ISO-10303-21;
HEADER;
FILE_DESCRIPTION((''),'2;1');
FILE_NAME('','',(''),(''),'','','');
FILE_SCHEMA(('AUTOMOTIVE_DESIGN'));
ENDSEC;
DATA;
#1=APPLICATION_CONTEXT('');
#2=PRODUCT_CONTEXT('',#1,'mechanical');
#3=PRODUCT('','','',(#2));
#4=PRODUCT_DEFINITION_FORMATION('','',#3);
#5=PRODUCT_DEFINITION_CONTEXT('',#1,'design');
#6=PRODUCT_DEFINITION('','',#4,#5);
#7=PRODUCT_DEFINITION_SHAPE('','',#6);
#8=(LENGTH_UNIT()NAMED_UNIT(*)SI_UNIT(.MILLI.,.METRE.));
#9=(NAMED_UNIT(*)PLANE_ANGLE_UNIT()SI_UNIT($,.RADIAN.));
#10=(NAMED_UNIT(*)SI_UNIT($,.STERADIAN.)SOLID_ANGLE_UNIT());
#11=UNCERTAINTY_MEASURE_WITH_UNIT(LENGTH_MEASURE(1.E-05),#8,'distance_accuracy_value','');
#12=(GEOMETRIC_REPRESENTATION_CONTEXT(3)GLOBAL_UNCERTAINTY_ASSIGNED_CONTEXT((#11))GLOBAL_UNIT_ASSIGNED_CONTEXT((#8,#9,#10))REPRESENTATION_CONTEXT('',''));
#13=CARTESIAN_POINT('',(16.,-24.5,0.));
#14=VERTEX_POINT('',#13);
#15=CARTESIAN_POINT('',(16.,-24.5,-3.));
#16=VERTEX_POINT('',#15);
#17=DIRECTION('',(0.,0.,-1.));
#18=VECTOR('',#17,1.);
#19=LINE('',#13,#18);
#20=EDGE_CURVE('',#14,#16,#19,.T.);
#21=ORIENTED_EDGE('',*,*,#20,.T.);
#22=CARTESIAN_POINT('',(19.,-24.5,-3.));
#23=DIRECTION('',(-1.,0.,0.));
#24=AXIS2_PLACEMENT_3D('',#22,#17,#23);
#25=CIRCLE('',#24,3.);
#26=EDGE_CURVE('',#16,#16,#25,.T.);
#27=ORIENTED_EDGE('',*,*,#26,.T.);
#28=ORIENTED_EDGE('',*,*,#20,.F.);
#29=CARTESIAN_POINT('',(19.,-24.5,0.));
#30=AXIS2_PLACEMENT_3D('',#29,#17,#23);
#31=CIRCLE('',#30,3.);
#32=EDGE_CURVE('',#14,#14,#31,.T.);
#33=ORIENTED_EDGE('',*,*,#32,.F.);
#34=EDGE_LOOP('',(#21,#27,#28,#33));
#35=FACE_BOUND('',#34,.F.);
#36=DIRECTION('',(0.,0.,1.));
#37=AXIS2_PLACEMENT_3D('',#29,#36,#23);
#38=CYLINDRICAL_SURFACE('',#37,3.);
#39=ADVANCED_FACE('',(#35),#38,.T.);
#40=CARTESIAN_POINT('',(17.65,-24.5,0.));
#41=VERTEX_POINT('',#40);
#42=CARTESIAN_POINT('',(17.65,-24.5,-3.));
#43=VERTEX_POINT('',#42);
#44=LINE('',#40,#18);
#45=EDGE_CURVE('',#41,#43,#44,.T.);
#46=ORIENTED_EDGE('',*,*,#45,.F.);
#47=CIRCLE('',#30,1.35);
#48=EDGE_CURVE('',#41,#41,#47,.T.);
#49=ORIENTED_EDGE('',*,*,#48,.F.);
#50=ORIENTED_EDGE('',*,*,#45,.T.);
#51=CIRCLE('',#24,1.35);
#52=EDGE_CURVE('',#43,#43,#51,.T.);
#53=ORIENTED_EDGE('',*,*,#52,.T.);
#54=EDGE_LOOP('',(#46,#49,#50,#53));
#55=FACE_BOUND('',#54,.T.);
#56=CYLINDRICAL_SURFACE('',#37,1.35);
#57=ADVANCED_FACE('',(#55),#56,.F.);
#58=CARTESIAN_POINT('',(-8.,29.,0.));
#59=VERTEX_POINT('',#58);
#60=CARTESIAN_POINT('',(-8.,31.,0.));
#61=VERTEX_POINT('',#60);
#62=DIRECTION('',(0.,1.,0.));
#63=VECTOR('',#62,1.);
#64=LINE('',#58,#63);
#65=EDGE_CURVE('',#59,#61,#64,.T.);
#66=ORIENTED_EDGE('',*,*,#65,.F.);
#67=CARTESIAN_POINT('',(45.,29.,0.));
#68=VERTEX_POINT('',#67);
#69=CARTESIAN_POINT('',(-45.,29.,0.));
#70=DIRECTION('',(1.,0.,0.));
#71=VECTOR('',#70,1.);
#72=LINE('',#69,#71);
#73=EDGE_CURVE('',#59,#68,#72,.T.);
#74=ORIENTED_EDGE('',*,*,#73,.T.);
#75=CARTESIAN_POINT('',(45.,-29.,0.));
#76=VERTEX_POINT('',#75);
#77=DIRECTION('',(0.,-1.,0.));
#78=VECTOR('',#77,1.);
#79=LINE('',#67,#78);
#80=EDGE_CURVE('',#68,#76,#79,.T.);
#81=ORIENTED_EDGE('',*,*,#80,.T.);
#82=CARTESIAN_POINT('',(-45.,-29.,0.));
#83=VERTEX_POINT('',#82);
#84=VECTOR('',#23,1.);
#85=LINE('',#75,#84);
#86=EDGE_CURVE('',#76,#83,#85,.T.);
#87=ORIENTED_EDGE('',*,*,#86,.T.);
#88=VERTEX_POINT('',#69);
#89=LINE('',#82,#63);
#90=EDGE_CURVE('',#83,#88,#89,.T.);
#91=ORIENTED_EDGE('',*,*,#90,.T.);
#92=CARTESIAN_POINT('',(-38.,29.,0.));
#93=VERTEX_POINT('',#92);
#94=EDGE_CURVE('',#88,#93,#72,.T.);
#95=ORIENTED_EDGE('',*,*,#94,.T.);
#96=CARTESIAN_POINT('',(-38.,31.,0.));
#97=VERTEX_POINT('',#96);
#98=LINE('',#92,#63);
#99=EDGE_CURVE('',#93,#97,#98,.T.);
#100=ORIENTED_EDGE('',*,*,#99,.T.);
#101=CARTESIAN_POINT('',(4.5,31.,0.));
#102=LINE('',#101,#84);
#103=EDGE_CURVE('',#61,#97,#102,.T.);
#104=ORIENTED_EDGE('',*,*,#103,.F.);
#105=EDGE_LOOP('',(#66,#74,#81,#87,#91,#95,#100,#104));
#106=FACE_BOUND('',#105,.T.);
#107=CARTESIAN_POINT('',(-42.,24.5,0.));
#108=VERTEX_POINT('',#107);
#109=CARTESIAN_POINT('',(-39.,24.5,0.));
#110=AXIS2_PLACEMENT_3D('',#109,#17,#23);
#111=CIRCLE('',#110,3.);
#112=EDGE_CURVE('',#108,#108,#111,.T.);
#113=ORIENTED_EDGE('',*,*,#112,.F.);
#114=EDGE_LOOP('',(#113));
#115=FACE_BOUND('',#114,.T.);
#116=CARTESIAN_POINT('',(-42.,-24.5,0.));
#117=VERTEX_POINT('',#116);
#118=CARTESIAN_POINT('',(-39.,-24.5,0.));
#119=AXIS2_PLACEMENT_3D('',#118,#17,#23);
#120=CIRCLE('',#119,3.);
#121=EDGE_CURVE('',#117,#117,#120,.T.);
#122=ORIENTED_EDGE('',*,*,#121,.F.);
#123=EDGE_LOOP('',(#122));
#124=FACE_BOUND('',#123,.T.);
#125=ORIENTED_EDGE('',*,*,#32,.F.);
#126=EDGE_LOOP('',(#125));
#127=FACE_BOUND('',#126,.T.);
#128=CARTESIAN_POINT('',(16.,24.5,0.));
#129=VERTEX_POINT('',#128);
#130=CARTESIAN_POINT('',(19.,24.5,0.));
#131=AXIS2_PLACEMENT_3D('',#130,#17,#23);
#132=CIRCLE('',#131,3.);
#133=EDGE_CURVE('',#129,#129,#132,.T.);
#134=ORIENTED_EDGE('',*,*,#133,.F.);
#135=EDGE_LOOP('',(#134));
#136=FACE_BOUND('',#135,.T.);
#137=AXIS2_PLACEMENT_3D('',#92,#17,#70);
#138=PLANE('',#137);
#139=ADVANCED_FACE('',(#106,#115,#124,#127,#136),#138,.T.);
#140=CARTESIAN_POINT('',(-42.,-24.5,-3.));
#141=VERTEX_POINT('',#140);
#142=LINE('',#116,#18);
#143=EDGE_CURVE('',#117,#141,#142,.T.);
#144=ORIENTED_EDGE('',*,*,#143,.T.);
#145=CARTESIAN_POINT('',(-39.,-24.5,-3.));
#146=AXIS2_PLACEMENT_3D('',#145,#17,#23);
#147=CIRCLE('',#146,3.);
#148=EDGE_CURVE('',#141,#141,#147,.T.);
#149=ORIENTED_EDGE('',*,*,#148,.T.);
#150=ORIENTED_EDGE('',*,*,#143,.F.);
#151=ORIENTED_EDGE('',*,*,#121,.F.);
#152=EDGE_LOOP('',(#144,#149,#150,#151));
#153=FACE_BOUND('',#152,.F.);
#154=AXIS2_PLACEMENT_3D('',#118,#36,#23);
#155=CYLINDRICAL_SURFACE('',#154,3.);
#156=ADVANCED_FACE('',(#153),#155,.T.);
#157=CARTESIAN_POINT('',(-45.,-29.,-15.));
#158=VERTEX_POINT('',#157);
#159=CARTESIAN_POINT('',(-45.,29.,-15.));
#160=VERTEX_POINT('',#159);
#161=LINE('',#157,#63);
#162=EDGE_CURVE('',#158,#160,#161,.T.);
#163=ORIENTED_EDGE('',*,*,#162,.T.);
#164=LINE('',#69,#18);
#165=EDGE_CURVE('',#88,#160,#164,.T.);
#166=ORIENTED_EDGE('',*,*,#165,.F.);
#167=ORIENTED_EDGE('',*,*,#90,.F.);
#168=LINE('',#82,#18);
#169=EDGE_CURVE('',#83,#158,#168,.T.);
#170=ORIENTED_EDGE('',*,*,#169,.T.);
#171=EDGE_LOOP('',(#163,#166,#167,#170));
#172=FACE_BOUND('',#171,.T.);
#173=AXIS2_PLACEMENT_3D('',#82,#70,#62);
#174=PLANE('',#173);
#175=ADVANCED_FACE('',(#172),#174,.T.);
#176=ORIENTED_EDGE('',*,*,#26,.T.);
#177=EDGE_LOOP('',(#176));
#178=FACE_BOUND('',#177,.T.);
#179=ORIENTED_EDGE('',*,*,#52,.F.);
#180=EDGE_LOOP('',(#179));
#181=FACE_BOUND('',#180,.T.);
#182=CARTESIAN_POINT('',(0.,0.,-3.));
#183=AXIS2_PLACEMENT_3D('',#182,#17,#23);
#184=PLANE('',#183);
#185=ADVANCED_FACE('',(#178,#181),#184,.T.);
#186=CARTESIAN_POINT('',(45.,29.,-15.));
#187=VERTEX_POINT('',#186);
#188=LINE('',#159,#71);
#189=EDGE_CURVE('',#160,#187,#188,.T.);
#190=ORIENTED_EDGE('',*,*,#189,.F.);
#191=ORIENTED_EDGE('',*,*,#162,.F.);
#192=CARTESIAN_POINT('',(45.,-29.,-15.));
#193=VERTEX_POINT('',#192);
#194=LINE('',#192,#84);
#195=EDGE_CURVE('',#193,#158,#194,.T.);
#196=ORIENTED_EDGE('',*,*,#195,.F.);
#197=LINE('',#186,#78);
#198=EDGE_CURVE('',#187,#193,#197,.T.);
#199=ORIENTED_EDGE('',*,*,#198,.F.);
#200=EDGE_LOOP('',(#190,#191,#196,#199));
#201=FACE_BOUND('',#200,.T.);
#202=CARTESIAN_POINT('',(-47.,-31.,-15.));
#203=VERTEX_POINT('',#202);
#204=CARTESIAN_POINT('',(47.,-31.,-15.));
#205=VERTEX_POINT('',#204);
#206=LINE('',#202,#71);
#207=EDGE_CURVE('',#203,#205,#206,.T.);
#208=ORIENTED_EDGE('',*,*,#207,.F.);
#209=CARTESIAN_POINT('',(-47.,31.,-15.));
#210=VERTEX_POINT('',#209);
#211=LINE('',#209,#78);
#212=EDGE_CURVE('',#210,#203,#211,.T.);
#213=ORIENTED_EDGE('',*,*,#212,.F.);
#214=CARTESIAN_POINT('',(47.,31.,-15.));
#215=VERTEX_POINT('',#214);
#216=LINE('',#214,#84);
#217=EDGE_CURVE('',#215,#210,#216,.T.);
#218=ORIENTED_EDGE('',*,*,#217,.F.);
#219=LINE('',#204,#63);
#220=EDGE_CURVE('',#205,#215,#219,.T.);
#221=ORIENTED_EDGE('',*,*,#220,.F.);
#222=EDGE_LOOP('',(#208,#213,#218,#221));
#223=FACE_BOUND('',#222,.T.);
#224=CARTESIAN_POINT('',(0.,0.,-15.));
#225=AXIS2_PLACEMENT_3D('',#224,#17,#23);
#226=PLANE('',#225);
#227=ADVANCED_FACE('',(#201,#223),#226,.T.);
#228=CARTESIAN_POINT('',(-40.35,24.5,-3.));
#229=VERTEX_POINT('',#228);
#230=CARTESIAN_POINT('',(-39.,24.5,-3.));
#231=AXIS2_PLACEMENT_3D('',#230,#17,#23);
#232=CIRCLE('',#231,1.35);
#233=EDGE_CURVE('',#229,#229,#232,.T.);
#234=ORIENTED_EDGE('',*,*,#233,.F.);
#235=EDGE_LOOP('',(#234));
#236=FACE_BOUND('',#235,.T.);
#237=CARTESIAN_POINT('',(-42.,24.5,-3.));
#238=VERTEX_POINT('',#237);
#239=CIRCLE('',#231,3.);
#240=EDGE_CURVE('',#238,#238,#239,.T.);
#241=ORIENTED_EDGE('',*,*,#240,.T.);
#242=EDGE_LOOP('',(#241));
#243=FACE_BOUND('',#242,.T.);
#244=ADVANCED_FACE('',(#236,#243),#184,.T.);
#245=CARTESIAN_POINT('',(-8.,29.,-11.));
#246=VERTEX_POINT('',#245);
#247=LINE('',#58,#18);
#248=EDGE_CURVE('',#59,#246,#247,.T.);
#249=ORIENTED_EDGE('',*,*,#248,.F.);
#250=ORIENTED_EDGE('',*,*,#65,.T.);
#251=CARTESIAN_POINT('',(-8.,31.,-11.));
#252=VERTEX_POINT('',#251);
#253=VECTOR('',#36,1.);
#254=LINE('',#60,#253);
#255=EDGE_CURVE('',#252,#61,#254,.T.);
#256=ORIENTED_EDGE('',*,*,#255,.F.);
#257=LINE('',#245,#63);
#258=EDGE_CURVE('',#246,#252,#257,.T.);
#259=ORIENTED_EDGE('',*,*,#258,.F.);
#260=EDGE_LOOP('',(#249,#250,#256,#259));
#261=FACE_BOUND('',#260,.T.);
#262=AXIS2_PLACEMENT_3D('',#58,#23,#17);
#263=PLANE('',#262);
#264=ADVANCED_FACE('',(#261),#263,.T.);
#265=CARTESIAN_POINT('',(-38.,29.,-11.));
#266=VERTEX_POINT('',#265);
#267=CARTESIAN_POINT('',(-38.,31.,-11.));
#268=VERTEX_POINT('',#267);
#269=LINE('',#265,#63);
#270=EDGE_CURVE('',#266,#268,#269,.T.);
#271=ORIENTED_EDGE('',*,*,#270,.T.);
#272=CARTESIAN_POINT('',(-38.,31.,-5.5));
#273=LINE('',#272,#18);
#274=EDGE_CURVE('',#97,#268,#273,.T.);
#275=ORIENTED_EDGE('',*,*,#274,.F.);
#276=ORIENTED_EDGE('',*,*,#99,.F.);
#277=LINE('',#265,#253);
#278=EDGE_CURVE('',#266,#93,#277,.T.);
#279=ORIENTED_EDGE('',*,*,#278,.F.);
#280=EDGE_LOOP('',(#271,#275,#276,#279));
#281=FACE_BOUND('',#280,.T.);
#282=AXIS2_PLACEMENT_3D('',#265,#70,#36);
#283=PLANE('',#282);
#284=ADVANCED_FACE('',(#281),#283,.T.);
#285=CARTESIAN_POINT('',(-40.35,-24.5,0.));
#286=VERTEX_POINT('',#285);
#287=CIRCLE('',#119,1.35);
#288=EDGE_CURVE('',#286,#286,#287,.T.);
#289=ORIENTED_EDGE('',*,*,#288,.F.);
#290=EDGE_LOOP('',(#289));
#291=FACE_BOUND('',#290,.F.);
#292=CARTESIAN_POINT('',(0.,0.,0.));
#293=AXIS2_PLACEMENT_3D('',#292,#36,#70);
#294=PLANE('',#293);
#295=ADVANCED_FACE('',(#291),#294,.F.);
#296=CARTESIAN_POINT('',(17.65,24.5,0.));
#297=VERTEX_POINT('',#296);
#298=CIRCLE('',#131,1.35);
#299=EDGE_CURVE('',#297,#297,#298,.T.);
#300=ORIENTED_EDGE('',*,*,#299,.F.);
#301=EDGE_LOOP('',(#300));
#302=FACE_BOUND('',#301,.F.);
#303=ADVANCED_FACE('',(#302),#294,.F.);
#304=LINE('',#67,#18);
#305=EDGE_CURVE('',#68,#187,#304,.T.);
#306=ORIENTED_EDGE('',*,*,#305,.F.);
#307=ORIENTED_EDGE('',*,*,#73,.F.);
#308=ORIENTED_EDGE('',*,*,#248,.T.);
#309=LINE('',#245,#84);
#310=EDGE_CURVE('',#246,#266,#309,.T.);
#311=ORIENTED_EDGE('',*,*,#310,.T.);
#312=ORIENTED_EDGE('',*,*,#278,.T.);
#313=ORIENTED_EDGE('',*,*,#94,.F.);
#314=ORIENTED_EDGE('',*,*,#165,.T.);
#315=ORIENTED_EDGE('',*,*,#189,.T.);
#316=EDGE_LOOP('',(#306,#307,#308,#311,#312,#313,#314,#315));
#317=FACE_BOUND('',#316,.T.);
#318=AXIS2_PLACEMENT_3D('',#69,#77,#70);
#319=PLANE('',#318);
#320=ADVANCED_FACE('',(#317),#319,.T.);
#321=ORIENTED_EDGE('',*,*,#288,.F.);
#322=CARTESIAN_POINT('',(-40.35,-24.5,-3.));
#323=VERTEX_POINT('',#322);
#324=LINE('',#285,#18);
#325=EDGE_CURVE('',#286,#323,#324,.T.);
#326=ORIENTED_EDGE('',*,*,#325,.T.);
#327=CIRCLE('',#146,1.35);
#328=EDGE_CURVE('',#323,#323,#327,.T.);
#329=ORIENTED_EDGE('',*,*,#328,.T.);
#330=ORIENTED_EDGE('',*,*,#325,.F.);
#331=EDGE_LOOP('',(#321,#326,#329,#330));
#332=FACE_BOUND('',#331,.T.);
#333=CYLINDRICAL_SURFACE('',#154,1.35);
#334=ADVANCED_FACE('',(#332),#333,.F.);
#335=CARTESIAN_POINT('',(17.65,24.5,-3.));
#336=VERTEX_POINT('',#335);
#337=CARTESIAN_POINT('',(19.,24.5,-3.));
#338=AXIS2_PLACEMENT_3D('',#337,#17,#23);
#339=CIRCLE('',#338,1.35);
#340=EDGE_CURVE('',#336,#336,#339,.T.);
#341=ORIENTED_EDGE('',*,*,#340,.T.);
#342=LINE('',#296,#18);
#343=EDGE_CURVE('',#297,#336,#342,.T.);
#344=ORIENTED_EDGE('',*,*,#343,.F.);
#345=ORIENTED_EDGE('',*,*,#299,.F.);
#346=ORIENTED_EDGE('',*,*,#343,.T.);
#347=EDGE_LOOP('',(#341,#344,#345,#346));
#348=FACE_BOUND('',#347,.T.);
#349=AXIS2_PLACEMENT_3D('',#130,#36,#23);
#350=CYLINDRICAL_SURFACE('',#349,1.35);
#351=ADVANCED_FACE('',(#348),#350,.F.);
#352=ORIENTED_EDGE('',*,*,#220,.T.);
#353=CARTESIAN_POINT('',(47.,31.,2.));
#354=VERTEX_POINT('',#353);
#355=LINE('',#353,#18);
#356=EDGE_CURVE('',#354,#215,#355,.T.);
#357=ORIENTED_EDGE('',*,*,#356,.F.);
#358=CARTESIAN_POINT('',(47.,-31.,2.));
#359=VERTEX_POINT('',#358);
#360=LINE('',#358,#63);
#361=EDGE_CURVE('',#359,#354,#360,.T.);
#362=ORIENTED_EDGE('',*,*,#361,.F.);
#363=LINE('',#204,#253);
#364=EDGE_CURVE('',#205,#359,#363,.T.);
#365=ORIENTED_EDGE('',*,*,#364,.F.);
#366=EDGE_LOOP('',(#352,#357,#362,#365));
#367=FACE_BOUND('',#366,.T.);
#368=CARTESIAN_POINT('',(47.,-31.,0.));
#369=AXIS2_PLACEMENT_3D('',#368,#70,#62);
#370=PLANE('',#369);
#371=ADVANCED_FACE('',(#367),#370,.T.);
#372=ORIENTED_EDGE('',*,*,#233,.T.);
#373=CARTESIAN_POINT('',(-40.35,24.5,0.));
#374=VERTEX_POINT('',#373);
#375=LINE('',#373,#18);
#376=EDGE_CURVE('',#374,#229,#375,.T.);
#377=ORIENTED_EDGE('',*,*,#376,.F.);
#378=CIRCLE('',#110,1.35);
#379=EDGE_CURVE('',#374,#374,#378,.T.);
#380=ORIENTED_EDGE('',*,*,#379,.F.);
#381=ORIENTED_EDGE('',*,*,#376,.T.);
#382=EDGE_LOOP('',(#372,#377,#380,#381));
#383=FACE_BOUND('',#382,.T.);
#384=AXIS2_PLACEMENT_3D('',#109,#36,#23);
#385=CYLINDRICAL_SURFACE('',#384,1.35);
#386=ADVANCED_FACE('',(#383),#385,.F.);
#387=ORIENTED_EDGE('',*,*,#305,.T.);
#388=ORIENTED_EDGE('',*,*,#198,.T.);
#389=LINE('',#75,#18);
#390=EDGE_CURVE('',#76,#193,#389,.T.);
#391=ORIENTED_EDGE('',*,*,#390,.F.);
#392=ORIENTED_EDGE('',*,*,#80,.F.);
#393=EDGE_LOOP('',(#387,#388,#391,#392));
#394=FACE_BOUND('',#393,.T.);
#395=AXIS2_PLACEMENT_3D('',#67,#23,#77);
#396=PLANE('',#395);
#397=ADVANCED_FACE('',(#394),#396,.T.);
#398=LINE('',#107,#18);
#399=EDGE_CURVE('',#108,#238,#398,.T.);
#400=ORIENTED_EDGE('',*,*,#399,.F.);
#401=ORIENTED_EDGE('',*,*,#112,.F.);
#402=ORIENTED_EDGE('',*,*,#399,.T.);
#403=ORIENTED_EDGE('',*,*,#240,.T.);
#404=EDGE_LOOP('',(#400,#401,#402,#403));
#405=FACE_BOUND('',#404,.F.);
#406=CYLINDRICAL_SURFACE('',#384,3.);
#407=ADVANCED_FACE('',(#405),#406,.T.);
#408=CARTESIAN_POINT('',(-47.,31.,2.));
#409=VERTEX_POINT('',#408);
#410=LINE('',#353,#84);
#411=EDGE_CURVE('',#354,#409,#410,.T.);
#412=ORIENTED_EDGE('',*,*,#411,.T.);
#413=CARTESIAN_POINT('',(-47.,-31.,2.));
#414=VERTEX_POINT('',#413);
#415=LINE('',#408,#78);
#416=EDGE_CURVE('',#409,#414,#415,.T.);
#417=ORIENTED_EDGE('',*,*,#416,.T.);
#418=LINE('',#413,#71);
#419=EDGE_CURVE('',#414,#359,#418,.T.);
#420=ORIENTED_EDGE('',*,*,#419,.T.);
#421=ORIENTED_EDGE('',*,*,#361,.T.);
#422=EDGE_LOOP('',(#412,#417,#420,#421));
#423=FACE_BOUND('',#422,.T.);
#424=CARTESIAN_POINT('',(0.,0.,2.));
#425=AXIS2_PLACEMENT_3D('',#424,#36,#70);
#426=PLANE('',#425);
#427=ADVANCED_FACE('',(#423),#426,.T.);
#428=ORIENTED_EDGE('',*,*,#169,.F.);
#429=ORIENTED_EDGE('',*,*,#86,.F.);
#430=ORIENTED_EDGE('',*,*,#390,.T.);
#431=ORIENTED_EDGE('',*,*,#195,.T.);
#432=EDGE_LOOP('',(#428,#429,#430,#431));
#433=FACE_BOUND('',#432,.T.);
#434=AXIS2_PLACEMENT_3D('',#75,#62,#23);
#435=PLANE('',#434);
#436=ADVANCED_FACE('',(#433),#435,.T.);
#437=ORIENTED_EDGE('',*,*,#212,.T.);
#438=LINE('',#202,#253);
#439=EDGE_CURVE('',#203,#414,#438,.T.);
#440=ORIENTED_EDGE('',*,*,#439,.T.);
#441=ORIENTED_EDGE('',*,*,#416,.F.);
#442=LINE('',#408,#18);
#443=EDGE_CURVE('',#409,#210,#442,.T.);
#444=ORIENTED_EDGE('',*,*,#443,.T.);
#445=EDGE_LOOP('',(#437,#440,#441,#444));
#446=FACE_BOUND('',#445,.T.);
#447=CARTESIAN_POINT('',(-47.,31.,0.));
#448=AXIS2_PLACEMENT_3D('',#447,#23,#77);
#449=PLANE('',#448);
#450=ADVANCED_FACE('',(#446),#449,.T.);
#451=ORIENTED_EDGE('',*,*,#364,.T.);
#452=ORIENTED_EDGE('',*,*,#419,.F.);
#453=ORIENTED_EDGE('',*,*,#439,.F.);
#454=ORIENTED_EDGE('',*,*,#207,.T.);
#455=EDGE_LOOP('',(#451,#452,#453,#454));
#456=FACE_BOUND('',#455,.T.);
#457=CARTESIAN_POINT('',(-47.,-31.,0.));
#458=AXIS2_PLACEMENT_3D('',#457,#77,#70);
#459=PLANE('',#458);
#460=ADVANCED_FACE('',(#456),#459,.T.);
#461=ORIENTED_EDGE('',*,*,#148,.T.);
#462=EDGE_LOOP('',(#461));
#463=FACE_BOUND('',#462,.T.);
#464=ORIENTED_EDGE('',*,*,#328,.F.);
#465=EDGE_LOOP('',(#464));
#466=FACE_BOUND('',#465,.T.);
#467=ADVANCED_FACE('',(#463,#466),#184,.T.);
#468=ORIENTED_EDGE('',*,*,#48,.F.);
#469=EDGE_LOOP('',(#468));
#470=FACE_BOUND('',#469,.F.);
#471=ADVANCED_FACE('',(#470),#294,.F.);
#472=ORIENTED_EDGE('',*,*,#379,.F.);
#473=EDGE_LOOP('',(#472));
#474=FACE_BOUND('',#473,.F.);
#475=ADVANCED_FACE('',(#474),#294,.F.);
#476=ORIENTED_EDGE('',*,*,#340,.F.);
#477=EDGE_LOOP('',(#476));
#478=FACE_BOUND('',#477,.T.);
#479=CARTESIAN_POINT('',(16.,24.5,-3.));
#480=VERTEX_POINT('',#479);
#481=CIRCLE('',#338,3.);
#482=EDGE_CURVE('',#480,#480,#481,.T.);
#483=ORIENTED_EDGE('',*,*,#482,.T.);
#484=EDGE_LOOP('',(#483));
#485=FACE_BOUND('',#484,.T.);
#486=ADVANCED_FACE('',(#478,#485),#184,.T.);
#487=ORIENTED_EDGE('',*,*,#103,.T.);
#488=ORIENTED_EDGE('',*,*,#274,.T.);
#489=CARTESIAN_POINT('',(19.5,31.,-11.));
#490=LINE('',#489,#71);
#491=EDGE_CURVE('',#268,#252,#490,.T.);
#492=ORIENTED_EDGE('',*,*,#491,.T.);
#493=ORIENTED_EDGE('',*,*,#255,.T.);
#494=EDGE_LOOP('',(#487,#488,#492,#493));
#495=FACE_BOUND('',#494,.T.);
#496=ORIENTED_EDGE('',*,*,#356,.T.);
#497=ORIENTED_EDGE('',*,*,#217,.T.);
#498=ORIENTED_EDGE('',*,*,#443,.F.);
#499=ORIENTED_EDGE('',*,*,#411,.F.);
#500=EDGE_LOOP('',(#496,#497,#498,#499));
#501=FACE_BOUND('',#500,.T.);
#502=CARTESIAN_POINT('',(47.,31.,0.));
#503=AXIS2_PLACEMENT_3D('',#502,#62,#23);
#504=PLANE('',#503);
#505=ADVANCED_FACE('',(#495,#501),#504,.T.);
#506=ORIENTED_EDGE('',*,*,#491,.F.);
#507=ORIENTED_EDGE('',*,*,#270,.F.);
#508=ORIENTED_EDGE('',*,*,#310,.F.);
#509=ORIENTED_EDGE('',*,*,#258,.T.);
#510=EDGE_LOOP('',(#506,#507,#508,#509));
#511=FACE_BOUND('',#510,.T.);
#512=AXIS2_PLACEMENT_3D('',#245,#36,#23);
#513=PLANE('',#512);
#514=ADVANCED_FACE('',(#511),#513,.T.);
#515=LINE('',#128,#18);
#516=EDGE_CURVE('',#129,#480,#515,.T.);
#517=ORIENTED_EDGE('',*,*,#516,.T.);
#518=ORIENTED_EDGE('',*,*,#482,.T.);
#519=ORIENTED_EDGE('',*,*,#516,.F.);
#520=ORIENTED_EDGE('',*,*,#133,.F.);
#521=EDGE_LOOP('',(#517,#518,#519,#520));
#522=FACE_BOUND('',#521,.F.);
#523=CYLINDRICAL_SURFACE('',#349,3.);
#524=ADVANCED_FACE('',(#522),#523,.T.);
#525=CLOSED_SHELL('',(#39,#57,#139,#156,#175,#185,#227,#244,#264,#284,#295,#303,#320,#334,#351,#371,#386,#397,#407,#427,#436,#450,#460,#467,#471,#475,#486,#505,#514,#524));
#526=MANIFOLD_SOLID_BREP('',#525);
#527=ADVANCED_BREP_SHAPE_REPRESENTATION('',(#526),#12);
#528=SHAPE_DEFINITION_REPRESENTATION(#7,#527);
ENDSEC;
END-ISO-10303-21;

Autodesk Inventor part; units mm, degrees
ref_plane "YZ Plane" through (0, 0, 0) normal (1, 0, 0) x (0, 1, 0)
ref_plane "XZ Plane" through (0, 0, 0) normal (0, 1, 0) x (-1, 0, 0)
ref_plane "XY Plane" through (0, 0, 0) normal (0, 0, 1) x (1, 0, 0)
ref_plane "Work Plane1" through (0, 0, 0) normal (0, 0, 1) x (1, 0, 0)
sketch "Sketch1" plane through (0, 0, 0) normal (0, 0, 1) x (1, 0, 0)
  line L0 (47, 31) -> (-47, 31)
  line L1 (-47, 31) -> (-47, -31)
  line L2 (-47, -31) -> (47, -31)
  line L3 (47, -31) -> (47, 31)
  line L4 (47, 31) -> (-47, -31) construction
  line L5 (-47, 31) -> (47, -31) construction
  point P0 (0, 0)
  dimension "d0" = 94
  dimension "d1" = 62
extrude "Extrusion1" add sketch "Sketch1" along normal blind 2
sketch "Sketch2" plane through (0, 0, 0) normal (0, 0, -1) x (-1, 0, 0)
  circle A0 centre (39, 24.5) radius 3 projected
  circle A1 centre (39, 24.5) radius 1.35 projected
  circle A2 centre (39, -24.5) radius 3 projected
  circle A3 centre (39, -24.5) radius 1.35 projected
  circle A4 centre (-19, -24.5) radius 3 projected
  circle A5 centre (-19, -24.5) radius 1.35 projected
  circle A6 centre (-19, 24.5) radius 3 projected
  circle A7 centre (-19, 24.5) radius 1.35 projected
  point P0 (0, 0)
extrude "Extrusion2" add sketch "Sketch2" along normal blind 3
sketch "Sketch3" plane through (0, 0, 0) normal (0, 0, -1) x (-1, 0, 0)
  circle A0 centre (-19, -24.5) radius 3 projected
  circle A1 centre (39, -24.5) radius 3 projected
  circle A2 centre (-19, 24.5) radius 3 projected
  circle A3 centre (39, 24.5) radius 3 projected
  line L0 (47, 31) -> (47, -31) projected
  line L1 (-47, 31) -> (47, 31) projected
  line L2 (-47, -31) -> (-47, 31) projected
  line L3 (47, -31) -> (-47, -31) projected
  line L4 (45, -29) -> (45, 29)
  line L5 (45, 29) -> (-45, 29)
  line L6 (-45, 29) -> (-45, -29)
  line L7 (-45, -29) -> (45, -29)
  point P0 (0, 0)
  dimension "d6" = 2
extrude "Extrusion3" add sketch "Sketch3" along normal blind 15 contours L0 L3 L2 L1
sketch "Sketch4" plane through (-45, 29, 0) normal (0, -1, 0) x (1, 0, 0)
  point P0 (45, 0)
sketch "Sketch5" plane through (-45, 29, 0) normal (0, -1, 0) x (1, 0, 0)
  line L0 (0, 0) -> (90, 0) projected
  line L1 (7, 0) -> (37, 0)
  line L2 (37, 0) -> (37, -11)
  line L3 (37, -11) -> (7, -11)
  line L4 (7, -11) -> (7, 0)
  line L5 (0, 0) -> (0, -15) projected
  line L6 (90, -15) -> (0, -15) projected
  point P0 (45, 0)
  dimension "d9" = 30
  dimension "d10" = 7
  dimension "d11" = 4
extrude "Extrusion4" cut sketch "Sketch5" against normal blind 15
properties part number "rpi4_case"
